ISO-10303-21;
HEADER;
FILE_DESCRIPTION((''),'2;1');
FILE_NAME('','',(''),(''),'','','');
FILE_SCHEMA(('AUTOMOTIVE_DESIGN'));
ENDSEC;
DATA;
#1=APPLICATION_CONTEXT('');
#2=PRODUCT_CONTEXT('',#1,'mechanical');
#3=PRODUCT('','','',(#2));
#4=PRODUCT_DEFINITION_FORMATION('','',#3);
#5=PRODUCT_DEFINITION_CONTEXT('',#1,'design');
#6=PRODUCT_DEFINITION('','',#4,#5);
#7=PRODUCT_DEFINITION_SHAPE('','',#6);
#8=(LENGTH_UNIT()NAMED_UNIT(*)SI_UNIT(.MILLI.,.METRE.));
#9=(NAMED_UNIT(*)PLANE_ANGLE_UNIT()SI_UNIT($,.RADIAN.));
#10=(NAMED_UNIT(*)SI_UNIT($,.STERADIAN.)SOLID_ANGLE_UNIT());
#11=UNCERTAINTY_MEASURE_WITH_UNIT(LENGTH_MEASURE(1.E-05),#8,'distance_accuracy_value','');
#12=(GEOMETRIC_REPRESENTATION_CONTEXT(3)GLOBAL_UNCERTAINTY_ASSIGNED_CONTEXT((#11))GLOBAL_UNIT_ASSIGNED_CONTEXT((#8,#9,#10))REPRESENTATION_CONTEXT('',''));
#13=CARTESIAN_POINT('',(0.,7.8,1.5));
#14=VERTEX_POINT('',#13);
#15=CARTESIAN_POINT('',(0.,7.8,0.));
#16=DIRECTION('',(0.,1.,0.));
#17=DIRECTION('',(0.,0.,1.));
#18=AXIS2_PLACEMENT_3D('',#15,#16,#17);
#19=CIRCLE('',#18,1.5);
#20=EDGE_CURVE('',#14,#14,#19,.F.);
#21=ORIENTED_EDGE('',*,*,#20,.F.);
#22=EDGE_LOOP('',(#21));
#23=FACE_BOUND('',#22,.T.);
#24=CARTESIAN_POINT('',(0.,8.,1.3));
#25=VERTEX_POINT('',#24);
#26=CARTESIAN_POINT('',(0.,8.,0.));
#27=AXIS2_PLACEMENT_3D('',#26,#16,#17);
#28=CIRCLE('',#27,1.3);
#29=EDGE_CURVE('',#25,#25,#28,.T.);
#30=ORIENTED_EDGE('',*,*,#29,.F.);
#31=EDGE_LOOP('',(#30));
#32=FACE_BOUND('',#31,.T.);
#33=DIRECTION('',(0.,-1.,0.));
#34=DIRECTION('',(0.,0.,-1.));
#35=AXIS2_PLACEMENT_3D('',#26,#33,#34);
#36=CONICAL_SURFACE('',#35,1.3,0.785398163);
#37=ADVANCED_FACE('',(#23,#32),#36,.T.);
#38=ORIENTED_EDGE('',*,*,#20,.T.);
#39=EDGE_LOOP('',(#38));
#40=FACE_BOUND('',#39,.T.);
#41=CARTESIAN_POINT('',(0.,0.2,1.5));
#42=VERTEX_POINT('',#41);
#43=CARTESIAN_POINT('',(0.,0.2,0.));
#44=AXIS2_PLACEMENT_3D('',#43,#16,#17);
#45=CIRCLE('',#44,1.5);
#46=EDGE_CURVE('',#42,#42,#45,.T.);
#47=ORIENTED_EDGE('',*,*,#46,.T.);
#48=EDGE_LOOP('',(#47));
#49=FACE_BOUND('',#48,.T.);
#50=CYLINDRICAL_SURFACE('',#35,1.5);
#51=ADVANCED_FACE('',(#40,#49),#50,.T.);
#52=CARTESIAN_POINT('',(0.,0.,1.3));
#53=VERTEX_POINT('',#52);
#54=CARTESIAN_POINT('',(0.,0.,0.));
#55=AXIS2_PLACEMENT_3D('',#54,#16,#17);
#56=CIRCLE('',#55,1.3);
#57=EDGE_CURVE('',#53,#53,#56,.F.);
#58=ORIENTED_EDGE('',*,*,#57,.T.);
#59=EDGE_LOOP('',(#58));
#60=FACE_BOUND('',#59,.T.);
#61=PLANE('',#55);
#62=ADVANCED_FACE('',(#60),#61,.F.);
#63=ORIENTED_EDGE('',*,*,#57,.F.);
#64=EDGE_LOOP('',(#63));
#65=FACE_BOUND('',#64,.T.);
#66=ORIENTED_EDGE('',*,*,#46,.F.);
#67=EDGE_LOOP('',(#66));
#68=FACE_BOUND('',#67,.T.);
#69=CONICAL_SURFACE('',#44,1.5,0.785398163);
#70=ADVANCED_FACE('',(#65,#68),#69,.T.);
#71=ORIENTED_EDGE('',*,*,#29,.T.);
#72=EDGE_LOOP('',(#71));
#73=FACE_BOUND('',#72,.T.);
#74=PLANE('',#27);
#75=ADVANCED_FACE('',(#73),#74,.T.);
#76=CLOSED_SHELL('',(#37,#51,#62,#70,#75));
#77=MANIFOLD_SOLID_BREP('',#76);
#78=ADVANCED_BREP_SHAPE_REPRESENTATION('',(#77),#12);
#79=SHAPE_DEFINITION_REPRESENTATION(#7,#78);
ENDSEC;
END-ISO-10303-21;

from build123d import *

# Parameters (mm, degrees)
SKETCH_1_R      = 1.5
EXTRUDE_1_DEPTH = 8
CHAMFER_1_SIZE  = 0.2


with BuildPart() as part:
    # 草图1 → 凸台-拉伸1 (new body)
    with BuildSketch(Plane(origin=(0, 0, 0), x_dir=(1, 0, 0), z_dir=(0, 1, 0))):
        Circle(SKETCH_1_R)
    extrude(amount=EXTRUDE_1_DEPTH)

    # 倒角1
    chamfer_1_edges = [part.edges().sort_by_distance(p)[0] for p in [
        (-1.5, 0, 0),
        (-1.5, 8, 0),
    ]]
    chamfer(chamfer_1_edges, length=CHAMFER_1_SIZE)


solid = part.part
